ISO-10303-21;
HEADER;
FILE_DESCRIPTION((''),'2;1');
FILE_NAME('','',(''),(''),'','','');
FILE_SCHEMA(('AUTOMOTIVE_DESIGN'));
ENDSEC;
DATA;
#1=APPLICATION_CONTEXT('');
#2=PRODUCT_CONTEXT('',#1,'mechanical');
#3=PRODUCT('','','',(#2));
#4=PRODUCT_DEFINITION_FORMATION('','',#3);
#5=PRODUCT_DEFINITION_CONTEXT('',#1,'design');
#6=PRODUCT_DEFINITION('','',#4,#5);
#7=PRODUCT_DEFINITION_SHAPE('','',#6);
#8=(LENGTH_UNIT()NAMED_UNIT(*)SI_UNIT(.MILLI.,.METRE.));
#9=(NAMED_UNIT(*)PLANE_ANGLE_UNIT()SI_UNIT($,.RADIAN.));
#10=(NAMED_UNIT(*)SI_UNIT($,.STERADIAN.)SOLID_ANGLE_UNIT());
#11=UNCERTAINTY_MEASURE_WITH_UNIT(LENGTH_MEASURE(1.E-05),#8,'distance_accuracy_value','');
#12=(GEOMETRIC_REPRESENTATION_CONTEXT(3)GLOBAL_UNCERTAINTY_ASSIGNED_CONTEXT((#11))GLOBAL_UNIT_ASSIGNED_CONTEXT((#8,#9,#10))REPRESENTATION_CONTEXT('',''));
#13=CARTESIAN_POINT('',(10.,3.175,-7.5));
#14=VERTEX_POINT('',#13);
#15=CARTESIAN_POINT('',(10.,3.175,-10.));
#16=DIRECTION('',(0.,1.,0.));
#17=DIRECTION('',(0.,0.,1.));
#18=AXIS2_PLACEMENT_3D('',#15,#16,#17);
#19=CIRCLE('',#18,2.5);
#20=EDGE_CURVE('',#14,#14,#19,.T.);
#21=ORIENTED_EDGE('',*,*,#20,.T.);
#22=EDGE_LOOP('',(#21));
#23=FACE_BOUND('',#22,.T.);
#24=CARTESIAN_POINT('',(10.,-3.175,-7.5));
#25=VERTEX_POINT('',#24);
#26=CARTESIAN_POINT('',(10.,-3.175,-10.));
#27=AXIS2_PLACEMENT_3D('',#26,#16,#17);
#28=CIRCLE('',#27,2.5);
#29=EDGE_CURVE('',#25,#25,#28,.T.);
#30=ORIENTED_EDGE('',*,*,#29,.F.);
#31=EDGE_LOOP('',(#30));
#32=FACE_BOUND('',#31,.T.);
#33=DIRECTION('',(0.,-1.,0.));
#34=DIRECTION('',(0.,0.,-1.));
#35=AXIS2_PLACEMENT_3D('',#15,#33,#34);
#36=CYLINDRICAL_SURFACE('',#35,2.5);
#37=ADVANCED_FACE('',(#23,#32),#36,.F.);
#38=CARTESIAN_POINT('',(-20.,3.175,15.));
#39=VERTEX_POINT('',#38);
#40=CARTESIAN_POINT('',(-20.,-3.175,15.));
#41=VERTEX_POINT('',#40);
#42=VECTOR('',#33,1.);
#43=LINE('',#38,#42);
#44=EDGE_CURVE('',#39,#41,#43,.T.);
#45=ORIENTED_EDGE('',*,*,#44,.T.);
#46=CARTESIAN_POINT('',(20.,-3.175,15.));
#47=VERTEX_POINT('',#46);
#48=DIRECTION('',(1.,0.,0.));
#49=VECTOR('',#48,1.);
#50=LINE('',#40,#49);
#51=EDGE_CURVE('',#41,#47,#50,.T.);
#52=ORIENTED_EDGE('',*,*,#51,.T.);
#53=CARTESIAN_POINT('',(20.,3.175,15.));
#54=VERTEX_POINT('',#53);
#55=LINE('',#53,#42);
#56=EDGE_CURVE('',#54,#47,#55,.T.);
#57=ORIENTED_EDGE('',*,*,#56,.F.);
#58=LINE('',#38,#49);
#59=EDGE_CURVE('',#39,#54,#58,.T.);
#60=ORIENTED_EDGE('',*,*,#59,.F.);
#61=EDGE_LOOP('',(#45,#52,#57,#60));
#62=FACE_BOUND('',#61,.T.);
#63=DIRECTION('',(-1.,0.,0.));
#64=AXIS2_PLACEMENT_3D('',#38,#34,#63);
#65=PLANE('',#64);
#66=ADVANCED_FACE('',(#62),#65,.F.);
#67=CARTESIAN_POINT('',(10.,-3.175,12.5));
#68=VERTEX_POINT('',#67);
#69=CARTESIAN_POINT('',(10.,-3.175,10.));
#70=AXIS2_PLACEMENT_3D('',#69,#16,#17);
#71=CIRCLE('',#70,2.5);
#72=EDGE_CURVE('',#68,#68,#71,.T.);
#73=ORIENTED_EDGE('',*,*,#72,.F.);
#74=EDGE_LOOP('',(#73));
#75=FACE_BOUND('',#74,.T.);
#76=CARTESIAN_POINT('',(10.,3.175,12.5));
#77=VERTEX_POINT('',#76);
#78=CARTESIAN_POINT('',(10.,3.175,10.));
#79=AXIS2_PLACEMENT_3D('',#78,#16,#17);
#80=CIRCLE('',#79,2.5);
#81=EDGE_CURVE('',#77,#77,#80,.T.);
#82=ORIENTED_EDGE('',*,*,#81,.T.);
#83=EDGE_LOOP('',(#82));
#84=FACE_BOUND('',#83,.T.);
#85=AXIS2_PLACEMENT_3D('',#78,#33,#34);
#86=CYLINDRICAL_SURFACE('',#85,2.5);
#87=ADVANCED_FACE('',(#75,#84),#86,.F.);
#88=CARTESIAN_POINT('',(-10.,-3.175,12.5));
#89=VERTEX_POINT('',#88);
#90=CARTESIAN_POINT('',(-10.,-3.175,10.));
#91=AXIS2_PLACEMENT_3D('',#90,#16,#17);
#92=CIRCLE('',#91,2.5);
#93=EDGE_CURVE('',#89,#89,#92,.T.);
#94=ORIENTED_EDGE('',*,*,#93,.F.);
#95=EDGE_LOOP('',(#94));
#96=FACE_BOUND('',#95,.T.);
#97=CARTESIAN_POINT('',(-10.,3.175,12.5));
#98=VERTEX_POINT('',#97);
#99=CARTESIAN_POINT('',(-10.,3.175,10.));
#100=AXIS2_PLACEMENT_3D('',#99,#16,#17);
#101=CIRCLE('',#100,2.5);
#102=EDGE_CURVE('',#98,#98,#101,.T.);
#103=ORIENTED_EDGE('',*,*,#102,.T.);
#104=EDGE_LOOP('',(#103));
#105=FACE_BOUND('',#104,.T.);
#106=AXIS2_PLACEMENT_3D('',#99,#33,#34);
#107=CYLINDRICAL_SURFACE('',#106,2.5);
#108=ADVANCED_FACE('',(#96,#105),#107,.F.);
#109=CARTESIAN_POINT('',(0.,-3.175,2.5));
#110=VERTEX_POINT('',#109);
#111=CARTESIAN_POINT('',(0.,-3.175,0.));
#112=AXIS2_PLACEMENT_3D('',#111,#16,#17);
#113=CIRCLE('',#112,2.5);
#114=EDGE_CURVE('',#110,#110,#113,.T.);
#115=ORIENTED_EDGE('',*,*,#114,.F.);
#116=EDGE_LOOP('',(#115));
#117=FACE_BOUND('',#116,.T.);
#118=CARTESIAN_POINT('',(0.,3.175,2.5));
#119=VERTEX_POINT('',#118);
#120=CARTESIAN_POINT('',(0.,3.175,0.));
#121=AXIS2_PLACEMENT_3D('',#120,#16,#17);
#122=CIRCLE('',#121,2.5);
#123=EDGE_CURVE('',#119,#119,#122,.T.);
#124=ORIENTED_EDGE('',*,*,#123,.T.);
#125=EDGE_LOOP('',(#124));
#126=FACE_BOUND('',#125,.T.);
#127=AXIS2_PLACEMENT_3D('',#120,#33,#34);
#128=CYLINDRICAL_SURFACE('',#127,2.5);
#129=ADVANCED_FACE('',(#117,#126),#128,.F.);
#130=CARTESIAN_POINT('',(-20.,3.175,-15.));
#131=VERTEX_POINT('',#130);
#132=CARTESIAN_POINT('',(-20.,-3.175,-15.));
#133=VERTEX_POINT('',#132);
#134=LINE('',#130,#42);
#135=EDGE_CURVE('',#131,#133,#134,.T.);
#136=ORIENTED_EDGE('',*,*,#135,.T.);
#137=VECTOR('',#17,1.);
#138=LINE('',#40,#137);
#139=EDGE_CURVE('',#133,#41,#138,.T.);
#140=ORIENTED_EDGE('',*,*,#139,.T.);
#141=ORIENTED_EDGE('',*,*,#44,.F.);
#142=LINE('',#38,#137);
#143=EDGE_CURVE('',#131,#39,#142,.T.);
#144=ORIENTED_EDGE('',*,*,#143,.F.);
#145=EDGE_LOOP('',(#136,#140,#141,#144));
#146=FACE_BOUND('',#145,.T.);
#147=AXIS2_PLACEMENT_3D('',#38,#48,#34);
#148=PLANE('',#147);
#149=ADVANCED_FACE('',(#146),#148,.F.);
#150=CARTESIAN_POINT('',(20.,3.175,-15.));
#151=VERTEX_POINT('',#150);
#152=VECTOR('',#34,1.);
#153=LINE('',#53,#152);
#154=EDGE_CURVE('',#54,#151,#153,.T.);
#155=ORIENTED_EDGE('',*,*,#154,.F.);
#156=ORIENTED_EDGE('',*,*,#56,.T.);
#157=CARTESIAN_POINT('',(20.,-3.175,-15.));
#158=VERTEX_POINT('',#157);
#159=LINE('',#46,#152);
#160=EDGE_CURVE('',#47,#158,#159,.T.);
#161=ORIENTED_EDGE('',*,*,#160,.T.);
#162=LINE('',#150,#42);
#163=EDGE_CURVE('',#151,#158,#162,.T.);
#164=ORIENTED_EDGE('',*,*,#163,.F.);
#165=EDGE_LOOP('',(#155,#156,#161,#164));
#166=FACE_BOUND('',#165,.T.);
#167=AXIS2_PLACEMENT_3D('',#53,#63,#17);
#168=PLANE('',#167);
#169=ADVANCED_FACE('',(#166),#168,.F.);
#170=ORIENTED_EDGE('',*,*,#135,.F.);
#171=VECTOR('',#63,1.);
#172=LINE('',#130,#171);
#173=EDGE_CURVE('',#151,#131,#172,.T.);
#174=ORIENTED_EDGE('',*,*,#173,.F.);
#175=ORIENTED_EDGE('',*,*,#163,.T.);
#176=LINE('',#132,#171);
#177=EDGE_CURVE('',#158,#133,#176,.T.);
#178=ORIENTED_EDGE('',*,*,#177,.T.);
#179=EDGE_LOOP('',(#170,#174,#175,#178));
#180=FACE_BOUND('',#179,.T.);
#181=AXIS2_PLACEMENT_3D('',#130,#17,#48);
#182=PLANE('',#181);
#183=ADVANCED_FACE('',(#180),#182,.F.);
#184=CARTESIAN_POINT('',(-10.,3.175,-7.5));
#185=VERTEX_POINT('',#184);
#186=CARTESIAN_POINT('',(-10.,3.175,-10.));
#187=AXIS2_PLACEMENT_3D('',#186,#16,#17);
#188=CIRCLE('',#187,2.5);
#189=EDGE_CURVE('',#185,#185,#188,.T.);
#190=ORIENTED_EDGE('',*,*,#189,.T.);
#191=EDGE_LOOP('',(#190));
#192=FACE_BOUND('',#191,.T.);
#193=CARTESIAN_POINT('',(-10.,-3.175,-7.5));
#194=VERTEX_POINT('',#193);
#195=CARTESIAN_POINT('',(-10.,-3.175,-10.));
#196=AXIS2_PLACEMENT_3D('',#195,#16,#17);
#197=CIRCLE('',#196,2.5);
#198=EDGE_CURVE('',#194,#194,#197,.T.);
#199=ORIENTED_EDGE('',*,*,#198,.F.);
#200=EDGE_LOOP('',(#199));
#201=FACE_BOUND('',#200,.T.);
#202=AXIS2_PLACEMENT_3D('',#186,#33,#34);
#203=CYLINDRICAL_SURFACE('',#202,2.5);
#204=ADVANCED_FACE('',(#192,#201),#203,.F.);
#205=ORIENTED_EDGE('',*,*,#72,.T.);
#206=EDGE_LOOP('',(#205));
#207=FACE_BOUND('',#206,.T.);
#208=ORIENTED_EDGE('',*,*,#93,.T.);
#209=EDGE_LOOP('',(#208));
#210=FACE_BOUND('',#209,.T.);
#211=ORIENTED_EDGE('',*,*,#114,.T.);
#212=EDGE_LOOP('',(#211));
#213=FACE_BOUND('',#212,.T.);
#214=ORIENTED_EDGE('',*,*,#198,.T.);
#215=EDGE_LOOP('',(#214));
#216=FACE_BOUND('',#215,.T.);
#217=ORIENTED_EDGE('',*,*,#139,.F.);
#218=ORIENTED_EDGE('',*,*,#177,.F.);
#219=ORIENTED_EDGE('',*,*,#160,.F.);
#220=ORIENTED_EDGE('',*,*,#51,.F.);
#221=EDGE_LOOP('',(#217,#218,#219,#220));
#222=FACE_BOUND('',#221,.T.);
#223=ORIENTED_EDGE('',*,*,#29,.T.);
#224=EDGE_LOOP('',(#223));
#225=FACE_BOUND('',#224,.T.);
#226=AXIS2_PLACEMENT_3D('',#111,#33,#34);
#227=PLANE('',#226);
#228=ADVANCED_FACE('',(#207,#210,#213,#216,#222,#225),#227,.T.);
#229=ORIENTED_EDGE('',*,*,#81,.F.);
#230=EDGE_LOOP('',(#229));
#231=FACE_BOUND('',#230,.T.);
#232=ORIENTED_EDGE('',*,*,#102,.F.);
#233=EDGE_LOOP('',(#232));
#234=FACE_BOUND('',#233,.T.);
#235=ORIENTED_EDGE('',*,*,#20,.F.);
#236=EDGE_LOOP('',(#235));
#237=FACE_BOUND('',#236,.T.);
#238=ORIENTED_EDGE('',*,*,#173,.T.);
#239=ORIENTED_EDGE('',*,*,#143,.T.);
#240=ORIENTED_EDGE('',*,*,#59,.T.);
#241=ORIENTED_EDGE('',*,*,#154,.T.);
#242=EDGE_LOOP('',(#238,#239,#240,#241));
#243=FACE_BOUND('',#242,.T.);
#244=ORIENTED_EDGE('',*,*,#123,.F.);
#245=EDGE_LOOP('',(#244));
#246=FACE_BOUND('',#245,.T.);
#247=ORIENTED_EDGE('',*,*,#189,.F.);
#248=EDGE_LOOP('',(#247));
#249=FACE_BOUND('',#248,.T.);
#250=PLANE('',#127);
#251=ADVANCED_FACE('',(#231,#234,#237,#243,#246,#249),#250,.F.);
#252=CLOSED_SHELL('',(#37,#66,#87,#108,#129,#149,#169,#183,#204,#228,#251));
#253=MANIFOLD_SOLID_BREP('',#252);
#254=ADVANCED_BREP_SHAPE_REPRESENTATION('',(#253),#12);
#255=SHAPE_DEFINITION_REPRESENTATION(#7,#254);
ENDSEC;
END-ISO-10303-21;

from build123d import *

# Parameters (mm, degrees)
SKETCH1_W           = 40
SKETCH1_H           = 30
SKETCH1_R           = 2.5
BOSS_EXTRUDE1_DEPTH = 3.175


with BuildPart() as part:
    # Sketch1 → Boss-Extrude1 (new, symmetric)
    with BuildSketch(Plane(origin=(0, 0, 0), x_dir=(1, 0, 0), z_dir=(0, 1, 0))):
        Rectangle(SKETCH1_W, SKETCH1_H)
        with Locations(Location((0, 0, 0), (0, 0, 270))):
            Circle(SKETCH1_R, mode=Mode.SUBTRACT)
        with Locations(Location((-10, 10, 0), (0, 0, 270))):
            Circle(SKETCH1_R, mode=Mode.SUBTRACT)
        with Locations(Location((10, 10, 0), (0, 0, 270))):
            Circle(SKETCH1_R, mode=Mode.SUBTRACT)
        with Locations(Location((10, -10, 0), (0, 0, 270))):
            Circle(SKETCH1_R, mode=Mode.SUBTRACT)
        with Locations(Location((-10, -10, 0), (0, 0, 270))):
            Circle(SKETCH1_R, mode=Mode.SUBTRACT)
    extrude(amount=BOSS_EXTRUDE1_DEPTH, both=True)


solid = part.part
